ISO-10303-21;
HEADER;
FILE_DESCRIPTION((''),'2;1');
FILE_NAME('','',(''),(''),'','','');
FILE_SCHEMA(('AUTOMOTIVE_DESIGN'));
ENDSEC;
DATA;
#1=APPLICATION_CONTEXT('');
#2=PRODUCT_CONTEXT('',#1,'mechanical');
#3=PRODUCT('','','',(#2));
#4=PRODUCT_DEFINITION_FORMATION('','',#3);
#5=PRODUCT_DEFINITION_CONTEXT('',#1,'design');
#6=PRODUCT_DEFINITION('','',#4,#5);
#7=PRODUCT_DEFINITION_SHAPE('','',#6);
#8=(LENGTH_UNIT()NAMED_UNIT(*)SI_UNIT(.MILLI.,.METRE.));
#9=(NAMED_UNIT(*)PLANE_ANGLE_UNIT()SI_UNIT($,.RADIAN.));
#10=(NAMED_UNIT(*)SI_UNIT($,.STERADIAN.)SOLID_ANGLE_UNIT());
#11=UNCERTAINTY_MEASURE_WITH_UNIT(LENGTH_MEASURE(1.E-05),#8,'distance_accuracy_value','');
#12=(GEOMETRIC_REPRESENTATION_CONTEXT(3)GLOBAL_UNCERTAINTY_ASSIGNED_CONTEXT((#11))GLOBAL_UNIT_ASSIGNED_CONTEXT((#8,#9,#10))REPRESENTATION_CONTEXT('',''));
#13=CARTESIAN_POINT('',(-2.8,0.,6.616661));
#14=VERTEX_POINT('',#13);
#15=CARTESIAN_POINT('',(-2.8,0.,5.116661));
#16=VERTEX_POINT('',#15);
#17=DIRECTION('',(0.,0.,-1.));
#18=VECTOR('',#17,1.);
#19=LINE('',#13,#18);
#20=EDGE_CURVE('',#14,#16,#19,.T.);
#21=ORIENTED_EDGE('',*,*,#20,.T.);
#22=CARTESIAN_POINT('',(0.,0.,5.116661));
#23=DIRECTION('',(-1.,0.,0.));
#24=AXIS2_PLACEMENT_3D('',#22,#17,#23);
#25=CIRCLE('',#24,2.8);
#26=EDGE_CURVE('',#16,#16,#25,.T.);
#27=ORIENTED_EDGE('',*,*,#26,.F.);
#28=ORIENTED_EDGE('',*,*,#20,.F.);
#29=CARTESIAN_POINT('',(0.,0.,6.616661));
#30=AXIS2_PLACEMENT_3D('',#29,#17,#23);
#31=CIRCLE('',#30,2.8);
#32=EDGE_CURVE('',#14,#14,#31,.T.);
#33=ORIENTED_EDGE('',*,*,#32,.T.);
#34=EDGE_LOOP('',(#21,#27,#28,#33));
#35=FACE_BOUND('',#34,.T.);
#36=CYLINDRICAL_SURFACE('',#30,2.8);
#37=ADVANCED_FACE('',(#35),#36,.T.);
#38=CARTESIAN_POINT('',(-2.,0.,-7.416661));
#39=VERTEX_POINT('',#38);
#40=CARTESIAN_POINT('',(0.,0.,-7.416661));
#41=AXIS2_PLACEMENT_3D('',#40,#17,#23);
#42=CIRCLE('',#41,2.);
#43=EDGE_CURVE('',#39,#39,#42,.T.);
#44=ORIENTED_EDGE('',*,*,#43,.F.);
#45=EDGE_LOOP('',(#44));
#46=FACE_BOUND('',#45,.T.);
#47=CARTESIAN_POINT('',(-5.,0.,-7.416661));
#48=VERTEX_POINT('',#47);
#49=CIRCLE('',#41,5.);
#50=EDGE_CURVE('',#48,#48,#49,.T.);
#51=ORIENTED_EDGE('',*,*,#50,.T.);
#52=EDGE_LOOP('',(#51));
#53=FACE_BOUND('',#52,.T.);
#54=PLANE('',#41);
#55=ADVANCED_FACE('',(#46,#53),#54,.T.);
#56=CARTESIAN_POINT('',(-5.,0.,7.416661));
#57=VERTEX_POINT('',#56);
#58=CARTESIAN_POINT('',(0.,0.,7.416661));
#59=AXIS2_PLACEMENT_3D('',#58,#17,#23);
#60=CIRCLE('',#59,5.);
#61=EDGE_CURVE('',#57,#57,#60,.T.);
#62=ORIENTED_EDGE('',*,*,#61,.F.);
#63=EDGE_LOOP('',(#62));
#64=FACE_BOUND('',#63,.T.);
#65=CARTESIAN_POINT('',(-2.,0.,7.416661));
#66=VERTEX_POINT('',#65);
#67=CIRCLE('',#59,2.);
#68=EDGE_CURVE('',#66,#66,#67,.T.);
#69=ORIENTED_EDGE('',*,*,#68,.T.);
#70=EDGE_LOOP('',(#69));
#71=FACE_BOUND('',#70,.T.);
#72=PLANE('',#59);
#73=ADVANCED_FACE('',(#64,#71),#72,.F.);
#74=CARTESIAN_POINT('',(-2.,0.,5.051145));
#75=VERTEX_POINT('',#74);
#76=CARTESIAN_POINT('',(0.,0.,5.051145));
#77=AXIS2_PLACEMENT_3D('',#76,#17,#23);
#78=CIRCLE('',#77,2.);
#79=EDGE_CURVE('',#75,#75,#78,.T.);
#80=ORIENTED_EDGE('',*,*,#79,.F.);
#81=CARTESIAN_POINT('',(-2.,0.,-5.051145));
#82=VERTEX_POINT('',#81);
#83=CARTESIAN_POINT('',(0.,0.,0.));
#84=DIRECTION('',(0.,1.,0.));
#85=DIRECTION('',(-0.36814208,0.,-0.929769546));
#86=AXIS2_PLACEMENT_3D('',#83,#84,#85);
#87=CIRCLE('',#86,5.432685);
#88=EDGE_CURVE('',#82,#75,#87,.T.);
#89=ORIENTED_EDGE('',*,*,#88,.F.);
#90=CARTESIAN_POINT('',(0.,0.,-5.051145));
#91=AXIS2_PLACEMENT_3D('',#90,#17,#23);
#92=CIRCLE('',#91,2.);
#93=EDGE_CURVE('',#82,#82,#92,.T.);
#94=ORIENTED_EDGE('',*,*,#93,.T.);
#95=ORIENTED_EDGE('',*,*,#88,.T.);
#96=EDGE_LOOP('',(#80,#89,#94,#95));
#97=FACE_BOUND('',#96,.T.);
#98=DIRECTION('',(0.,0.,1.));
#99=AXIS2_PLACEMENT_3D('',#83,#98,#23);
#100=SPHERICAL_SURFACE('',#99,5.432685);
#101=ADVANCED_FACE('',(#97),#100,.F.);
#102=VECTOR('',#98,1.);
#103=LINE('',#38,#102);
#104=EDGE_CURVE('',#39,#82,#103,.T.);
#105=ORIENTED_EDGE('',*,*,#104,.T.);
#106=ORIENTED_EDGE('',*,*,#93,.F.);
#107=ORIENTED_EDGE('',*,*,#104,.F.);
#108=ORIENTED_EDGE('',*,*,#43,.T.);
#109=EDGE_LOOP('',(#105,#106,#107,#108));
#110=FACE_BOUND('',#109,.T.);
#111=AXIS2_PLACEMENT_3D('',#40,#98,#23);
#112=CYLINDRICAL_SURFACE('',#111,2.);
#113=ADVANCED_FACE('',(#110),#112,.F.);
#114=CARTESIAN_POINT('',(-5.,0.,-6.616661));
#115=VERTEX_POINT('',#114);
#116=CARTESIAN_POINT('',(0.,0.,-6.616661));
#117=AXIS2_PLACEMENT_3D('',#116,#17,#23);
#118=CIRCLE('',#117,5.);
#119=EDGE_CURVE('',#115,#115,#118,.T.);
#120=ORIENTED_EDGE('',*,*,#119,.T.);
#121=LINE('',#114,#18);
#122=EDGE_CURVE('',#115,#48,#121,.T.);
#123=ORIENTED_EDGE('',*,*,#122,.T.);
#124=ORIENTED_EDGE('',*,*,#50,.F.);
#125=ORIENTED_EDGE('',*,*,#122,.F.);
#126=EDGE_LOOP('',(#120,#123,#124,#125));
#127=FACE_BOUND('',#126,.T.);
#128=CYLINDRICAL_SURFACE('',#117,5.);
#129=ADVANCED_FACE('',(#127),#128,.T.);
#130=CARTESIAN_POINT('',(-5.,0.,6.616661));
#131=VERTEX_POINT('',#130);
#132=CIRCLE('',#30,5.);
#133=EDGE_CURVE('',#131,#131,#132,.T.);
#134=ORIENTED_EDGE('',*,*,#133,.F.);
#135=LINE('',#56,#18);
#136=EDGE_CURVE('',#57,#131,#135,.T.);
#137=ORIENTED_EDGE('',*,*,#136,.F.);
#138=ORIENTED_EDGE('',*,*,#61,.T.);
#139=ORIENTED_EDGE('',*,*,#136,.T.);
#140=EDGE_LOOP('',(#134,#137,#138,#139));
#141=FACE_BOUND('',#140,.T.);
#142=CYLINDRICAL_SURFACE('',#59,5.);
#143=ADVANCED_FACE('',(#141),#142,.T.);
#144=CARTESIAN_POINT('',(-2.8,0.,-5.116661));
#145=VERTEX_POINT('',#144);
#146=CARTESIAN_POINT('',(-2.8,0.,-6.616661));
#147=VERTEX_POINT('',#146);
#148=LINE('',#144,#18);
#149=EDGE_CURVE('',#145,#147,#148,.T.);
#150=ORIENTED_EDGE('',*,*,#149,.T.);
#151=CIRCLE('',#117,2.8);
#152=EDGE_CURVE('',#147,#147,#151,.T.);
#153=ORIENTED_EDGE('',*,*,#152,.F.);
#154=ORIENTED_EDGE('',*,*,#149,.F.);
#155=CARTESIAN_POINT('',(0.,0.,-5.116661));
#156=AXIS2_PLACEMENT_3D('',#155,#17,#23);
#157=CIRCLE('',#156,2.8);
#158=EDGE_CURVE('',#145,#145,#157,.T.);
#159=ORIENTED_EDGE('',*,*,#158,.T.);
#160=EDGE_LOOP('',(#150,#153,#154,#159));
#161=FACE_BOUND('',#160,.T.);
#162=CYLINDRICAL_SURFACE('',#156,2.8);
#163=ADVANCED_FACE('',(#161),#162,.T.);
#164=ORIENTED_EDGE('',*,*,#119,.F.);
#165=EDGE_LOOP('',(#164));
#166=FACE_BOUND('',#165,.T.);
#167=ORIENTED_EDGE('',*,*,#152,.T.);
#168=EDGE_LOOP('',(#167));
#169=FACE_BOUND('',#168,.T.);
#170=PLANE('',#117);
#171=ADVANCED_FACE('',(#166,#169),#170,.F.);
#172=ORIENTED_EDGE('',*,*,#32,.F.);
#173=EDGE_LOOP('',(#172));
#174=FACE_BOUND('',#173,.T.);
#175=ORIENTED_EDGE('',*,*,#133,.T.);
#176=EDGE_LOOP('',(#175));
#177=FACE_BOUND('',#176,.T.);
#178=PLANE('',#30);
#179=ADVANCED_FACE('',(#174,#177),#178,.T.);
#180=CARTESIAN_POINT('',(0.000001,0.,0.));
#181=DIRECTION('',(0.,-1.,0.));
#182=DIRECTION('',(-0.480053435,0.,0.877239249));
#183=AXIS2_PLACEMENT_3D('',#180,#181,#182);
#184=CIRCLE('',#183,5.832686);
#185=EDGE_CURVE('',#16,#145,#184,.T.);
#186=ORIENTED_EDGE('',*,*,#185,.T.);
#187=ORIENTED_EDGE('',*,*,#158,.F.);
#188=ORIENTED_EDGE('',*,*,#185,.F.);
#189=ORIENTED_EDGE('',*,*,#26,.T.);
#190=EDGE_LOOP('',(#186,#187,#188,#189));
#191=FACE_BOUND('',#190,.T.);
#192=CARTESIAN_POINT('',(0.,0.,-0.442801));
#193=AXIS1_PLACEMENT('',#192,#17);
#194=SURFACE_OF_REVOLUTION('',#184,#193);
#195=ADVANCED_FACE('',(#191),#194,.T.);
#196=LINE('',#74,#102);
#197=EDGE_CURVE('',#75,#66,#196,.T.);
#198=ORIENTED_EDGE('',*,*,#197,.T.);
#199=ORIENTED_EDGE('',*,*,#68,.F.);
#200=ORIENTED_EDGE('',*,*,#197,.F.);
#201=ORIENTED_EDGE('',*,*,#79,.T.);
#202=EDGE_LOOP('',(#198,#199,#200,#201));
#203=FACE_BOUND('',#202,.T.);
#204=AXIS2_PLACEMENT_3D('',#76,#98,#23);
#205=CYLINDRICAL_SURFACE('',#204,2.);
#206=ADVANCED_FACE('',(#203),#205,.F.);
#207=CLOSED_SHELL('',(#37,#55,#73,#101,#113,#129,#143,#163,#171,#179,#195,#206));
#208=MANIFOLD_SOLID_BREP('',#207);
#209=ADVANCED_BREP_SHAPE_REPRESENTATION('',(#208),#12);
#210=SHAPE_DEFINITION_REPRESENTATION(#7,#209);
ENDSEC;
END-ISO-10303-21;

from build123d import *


with BuildPart() as f1:
    # F0 (on Front) → F1 (revolve)
    with BuildSketch(Plane.XZ):
        with BuildLine():
            Line((-2.8, 6.616661), (-2.8, 5.116661))
            ThreePointArc((-2.8, 5.116661), (-5.832685, 0), (-2.8, -5.116661))
            Line((-2.8, -5.116661), (-2.8, -6.616661))
            Line((-2.8, -6.616661), (-5, -6.616661))
            Line((-5, -6.616661), (-5, -7.416661))
            Line((-5, -7.416661), (-2, -7.416661))
            Line((-2, -7.416661), (-2, -5.051145))
            ThreePointArc((-2, -5.051145), (-5.432685, 0), (-2, 5.051145))
            Line((-2, 5.051145), (-2, 7.416661))
            Line((-2, 7.416661), (-5, 7.416661))
            Line((-5, 7.416661), (-5, 6.616661))
            Line((-5, 6.616661), (-2.8, 6.616661))
        make_face()
    revolve(axis=Axis((0, 0, -0.442801), (0, 0, -1)))


solid = f1.part
